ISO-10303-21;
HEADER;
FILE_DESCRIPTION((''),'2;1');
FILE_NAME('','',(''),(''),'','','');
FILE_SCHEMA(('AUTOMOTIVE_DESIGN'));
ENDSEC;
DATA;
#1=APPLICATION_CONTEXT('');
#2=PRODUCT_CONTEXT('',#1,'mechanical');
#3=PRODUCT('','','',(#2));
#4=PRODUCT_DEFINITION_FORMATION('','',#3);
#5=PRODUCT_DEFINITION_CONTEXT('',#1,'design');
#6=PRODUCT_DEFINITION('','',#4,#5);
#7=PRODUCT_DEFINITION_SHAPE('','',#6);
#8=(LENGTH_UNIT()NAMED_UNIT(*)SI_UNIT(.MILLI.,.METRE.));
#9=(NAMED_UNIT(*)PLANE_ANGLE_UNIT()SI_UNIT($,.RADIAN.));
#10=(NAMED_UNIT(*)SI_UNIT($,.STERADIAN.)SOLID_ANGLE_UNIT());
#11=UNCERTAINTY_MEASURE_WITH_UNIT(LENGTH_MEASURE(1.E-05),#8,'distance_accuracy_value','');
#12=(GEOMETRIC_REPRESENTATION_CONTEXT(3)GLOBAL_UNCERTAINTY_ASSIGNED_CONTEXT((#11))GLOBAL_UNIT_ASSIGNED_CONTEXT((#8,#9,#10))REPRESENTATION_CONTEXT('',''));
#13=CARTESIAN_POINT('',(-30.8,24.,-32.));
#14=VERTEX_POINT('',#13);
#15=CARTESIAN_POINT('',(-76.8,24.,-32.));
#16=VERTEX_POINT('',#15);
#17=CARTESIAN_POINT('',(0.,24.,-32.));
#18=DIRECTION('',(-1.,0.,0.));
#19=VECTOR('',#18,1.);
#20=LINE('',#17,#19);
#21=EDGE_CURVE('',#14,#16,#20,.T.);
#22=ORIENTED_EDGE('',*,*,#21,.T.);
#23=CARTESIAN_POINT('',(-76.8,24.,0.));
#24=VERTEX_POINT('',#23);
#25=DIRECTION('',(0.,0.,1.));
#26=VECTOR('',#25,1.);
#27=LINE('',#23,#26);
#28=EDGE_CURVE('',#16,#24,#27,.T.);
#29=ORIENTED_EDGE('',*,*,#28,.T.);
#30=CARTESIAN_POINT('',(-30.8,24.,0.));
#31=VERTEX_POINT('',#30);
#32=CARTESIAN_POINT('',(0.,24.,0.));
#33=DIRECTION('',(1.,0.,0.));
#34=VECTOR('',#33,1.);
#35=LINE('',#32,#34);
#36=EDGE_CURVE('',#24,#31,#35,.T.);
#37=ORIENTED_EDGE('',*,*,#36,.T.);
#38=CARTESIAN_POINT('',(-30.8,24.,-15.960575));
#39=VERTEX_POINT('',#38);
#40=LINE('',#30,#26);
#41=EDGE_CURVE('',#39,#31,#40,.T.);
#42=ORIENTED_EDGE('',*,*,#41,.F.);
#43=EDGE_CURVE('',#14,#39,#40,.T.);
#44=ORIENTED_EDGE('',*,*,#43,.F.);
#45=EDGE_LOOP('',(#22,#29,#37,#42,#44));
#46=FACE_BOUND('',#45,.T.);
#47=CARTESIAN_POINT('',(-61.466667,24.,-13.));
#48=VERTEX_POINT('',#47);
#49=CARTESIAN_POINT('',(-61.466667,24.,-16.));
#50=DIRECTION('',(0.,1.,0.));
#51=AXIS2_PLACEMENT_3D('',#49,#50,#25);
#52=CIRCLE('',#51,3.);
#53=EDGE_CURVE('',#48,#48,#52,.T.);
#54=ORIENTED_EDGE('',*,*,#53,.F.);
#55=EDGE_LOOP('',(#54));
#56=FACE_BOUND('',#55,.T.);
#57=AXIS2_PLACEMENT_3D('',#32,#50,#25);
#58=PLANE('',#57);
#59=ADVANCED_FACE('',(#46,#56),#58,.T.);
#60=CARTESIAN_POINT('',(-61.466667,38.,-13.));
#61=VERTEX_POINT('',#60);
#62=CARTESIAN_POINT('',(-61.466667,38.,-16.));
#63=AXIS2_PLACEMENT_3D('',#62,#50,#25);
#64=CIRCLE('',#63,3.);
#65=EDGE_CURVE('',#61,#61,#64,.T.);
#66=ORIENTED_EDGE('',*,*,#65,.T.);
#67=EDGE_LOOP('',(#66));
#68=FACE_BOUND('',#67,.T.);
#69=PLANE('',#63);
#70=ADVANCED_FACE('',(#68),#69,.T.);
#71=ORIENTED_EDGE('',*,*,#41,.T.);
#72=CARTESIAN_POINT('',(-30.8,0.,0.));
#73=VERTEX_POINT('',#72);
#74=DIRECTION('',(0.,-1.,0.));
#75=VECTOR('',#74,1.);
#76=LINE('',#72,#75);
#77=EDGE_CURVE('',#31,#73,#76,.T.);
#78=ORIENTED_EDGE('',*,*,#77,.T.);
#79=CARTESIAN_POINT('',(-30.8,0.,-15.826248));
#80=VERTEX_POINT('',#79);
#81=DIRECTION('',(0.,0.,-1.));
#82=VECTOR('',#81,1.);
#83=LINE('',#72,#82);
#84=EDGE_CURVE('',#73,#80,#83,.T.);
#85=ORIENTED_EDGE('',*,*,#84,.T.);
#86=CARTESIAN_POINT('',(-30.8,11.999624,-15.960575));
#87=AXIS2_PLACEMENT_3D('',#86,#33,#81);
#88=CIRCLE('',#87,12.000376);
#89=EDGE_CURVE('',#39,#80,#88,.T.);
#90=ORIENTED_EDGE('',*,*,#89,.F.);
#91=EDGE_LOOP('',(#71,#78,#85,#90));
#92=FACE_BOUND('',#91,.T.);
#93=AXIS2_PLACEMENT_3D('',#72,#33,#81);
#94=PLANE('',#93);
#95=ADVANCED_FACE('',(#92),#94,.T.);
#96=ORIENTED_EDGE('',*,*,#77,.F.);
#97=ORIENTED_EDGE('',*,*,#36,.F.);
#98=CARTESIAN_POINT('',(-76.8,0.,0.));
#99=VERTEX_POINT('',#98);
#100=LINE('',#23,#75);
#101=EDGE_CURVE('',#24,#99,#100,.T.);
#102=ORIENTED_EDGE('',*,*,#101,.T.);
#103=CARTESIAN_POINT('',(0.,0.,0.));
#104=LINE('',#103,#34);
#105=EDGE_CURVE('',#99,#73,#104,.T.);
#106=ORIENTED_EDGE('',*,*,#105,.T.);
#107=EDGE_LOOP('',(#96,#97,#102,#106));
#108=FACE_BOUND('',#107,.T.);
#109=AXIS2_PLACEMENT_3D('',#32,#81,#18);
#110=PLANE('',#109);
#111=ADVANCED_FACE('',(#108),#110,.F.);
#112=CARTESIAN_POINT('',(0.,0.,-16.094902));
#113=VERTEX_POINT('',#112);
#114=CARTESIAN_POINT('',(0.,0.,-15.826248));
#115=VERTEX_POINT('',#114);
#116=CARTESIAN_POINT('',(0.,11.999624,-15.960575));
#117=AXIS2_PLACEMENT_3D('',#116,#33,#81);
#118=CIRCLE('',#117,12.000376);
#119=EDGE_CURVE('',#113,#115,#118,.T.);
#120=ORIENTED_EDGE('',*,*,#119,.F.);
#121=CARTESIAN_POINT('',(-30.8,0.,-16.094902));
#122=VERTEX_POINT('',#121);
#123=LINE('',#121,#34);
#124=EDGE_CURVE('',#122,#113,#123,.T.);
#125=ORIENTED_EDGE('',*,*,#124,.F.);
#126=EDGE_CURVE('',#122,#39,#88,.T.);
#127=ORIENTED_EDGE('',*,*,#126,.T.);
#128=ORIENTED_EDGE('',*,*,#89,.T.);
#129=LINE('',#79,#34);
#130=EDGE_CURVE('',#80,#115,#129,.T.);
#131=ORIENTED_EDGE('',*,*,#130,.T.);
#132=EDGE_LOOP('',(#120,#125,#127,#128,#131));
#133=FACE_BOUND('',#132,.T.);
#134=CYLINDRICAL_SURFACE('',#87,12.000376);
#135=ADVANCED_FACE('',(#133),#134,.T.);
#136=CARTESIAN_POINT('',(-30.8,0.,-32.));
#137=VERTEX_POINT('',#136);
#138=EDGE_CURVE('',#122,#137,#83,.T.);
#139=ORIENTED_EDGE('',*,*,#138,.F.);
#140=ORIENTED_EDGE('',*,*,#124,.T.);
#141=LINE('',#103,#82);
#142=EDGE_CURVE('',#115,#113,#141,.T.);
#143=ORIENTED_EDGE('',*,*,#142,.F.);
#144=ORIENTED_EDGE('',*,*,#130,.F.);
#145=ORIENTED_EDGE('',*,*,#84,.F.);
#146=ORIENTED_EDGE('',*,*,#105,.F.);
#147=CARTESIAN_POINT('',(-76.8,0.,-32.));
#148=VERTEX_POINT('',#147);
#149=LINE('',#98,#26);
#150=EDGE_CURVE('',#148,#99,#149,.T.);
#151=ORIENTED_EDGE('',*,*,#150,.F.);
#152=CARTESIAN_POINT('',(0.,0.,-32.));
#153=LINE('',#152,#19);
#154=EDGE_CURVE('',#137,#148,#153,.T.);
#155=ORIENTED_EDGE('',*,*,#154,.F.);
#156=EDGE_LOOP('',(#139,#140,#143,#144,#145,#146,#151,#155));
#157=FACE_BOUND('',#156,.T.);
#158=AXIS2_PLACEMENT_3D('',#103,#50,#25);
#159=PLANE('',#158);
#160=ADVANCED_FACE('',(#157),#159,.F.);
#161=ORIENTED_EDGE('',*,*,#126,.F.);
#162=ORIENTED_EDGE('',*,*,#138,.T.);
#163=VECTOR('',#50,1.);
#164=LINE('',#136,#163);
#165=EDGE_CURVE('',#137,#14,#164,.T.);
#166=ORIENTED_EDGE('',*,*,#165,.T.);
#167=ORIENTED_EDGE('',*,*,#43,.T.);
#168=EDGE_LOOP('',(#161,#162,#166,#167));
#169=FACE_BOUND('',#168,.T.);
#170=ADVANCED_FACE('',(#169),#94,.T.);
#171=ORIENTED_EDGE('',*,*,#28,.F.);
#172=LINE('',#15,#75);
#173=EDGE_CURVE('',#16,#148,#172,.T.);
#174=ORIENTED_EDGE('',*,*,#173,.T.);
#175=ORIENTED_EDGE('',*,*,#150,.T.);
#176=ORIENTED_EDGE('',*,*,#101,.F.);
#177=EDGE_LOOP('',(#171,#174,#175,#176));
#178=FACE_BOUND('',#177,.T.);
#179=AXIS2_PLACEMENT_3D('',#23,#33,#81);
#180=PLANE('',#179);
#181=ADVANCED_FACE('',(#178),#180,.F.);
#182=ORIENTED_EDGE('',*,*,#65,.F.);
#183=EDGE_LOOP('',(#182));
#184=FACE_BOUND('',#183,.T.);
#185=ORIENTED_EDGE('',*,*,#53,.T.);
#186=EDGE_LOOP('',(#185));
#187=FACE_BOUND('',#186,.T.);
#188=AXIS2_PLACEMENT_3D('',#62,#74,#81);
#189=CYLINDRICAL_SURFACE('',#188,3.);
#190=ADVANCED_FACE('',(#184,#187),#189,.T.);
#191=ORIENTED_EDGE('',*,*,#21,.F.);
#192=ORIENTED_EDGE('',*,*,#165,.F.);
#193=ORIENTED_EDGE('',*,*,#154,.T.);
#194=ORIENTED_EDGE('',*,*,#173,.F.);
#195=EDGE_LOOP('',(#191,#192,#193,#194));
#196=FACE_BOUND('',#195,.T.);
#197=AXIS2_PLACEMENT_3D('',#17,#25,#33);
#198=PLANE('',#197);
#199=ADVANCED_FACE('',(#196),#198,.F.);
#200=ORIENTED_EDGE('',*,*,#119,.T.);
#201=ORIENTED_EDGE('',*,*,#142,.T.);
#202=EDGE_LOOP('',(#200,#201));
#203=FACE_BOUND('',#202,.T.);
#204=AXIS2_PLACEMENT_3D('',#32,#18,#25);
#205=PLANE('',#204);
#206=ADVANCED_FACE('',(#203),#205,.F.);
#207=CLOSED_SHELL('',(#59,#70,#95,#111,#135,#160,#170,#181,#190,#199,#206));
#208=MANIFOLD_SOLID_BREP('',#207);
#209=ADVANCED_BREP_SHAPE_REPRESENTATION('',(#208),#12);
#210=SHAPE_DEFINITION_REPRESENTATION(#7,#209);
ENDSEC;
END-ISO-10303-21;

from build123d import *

# Parameters (mm, degrees)
SKETCH1_W           = 76.8
SKETCH1_H           = 32
BOSS_EXTRUDE1_DEPTH = 24
SKETCH2_R           = 3
BOSS_EXTRUDE2_DEPTH = 14
CUT_EXTRUDE1_DEPTH  = 30.8


with BuildPart() as part:
    # Sketch1 → Boss-Extrude1 (new body)
    with BuildSketch(Plane(origin=(0, 0, 0), x_dir=(1, 0, 0), z_dir=(0, 1, 0))):
        with Locations((-38.4, 16)):
            Rectangle(SKETCH1_W, SKETCH1_H)
    extrude(amount=BOSS_EXTRUDE1_DEPTH)

    # Sketch2 → Boss-Extrude2 (add)
    with BuildSketch(Plane(origin=(0, 24, 0), x_dir=(1, 0, 0), z_dir=(0, 1, 0))):
        with Locations(Location((-61.466666667, 16, 0), (0, 0, 270))):
            Circle(SKETCH2_R)
    extrude(amount=BOSS_EXTRUDE2_DEPTH)

    # Sketch3 → Cut-Extrude1 (cut)
    with BuildSketch(Plane(origin=(0, 0, 0), x_dir=(0, 0, -1), z_dir=(1, 0, 0))):
        with BuildLine():
            ThreePointArc((15.826247816, 0), (3.960387057, 12.066788737), (15.960575012, 24))
            Line((15.960575012, 24), (0, 24))
            Line((0, 24), (0, 0))
            Line((0, 0), (15.826247816, 0))
        make_face()
        with BuildLine():
            Line((32, 24), (15.960575012, 24))
            ThreePointArc((15.960575012, 24), (24.446122196, 20.485171272), (27.960950924, 11.999624088))
            ThreePointArc((27.960950924, 11.999624088), (24.493481869, 3.561702389), (16.094902207, 0))
            Line((16.094902207, 0), (32, 0))
            Line((32, 0), (32, 24))
        make_face()
    extrude(amount=-CUT_EXTRUDE1_DEPTH, mode=Mode.SUBTRACT)


solid = part.part
